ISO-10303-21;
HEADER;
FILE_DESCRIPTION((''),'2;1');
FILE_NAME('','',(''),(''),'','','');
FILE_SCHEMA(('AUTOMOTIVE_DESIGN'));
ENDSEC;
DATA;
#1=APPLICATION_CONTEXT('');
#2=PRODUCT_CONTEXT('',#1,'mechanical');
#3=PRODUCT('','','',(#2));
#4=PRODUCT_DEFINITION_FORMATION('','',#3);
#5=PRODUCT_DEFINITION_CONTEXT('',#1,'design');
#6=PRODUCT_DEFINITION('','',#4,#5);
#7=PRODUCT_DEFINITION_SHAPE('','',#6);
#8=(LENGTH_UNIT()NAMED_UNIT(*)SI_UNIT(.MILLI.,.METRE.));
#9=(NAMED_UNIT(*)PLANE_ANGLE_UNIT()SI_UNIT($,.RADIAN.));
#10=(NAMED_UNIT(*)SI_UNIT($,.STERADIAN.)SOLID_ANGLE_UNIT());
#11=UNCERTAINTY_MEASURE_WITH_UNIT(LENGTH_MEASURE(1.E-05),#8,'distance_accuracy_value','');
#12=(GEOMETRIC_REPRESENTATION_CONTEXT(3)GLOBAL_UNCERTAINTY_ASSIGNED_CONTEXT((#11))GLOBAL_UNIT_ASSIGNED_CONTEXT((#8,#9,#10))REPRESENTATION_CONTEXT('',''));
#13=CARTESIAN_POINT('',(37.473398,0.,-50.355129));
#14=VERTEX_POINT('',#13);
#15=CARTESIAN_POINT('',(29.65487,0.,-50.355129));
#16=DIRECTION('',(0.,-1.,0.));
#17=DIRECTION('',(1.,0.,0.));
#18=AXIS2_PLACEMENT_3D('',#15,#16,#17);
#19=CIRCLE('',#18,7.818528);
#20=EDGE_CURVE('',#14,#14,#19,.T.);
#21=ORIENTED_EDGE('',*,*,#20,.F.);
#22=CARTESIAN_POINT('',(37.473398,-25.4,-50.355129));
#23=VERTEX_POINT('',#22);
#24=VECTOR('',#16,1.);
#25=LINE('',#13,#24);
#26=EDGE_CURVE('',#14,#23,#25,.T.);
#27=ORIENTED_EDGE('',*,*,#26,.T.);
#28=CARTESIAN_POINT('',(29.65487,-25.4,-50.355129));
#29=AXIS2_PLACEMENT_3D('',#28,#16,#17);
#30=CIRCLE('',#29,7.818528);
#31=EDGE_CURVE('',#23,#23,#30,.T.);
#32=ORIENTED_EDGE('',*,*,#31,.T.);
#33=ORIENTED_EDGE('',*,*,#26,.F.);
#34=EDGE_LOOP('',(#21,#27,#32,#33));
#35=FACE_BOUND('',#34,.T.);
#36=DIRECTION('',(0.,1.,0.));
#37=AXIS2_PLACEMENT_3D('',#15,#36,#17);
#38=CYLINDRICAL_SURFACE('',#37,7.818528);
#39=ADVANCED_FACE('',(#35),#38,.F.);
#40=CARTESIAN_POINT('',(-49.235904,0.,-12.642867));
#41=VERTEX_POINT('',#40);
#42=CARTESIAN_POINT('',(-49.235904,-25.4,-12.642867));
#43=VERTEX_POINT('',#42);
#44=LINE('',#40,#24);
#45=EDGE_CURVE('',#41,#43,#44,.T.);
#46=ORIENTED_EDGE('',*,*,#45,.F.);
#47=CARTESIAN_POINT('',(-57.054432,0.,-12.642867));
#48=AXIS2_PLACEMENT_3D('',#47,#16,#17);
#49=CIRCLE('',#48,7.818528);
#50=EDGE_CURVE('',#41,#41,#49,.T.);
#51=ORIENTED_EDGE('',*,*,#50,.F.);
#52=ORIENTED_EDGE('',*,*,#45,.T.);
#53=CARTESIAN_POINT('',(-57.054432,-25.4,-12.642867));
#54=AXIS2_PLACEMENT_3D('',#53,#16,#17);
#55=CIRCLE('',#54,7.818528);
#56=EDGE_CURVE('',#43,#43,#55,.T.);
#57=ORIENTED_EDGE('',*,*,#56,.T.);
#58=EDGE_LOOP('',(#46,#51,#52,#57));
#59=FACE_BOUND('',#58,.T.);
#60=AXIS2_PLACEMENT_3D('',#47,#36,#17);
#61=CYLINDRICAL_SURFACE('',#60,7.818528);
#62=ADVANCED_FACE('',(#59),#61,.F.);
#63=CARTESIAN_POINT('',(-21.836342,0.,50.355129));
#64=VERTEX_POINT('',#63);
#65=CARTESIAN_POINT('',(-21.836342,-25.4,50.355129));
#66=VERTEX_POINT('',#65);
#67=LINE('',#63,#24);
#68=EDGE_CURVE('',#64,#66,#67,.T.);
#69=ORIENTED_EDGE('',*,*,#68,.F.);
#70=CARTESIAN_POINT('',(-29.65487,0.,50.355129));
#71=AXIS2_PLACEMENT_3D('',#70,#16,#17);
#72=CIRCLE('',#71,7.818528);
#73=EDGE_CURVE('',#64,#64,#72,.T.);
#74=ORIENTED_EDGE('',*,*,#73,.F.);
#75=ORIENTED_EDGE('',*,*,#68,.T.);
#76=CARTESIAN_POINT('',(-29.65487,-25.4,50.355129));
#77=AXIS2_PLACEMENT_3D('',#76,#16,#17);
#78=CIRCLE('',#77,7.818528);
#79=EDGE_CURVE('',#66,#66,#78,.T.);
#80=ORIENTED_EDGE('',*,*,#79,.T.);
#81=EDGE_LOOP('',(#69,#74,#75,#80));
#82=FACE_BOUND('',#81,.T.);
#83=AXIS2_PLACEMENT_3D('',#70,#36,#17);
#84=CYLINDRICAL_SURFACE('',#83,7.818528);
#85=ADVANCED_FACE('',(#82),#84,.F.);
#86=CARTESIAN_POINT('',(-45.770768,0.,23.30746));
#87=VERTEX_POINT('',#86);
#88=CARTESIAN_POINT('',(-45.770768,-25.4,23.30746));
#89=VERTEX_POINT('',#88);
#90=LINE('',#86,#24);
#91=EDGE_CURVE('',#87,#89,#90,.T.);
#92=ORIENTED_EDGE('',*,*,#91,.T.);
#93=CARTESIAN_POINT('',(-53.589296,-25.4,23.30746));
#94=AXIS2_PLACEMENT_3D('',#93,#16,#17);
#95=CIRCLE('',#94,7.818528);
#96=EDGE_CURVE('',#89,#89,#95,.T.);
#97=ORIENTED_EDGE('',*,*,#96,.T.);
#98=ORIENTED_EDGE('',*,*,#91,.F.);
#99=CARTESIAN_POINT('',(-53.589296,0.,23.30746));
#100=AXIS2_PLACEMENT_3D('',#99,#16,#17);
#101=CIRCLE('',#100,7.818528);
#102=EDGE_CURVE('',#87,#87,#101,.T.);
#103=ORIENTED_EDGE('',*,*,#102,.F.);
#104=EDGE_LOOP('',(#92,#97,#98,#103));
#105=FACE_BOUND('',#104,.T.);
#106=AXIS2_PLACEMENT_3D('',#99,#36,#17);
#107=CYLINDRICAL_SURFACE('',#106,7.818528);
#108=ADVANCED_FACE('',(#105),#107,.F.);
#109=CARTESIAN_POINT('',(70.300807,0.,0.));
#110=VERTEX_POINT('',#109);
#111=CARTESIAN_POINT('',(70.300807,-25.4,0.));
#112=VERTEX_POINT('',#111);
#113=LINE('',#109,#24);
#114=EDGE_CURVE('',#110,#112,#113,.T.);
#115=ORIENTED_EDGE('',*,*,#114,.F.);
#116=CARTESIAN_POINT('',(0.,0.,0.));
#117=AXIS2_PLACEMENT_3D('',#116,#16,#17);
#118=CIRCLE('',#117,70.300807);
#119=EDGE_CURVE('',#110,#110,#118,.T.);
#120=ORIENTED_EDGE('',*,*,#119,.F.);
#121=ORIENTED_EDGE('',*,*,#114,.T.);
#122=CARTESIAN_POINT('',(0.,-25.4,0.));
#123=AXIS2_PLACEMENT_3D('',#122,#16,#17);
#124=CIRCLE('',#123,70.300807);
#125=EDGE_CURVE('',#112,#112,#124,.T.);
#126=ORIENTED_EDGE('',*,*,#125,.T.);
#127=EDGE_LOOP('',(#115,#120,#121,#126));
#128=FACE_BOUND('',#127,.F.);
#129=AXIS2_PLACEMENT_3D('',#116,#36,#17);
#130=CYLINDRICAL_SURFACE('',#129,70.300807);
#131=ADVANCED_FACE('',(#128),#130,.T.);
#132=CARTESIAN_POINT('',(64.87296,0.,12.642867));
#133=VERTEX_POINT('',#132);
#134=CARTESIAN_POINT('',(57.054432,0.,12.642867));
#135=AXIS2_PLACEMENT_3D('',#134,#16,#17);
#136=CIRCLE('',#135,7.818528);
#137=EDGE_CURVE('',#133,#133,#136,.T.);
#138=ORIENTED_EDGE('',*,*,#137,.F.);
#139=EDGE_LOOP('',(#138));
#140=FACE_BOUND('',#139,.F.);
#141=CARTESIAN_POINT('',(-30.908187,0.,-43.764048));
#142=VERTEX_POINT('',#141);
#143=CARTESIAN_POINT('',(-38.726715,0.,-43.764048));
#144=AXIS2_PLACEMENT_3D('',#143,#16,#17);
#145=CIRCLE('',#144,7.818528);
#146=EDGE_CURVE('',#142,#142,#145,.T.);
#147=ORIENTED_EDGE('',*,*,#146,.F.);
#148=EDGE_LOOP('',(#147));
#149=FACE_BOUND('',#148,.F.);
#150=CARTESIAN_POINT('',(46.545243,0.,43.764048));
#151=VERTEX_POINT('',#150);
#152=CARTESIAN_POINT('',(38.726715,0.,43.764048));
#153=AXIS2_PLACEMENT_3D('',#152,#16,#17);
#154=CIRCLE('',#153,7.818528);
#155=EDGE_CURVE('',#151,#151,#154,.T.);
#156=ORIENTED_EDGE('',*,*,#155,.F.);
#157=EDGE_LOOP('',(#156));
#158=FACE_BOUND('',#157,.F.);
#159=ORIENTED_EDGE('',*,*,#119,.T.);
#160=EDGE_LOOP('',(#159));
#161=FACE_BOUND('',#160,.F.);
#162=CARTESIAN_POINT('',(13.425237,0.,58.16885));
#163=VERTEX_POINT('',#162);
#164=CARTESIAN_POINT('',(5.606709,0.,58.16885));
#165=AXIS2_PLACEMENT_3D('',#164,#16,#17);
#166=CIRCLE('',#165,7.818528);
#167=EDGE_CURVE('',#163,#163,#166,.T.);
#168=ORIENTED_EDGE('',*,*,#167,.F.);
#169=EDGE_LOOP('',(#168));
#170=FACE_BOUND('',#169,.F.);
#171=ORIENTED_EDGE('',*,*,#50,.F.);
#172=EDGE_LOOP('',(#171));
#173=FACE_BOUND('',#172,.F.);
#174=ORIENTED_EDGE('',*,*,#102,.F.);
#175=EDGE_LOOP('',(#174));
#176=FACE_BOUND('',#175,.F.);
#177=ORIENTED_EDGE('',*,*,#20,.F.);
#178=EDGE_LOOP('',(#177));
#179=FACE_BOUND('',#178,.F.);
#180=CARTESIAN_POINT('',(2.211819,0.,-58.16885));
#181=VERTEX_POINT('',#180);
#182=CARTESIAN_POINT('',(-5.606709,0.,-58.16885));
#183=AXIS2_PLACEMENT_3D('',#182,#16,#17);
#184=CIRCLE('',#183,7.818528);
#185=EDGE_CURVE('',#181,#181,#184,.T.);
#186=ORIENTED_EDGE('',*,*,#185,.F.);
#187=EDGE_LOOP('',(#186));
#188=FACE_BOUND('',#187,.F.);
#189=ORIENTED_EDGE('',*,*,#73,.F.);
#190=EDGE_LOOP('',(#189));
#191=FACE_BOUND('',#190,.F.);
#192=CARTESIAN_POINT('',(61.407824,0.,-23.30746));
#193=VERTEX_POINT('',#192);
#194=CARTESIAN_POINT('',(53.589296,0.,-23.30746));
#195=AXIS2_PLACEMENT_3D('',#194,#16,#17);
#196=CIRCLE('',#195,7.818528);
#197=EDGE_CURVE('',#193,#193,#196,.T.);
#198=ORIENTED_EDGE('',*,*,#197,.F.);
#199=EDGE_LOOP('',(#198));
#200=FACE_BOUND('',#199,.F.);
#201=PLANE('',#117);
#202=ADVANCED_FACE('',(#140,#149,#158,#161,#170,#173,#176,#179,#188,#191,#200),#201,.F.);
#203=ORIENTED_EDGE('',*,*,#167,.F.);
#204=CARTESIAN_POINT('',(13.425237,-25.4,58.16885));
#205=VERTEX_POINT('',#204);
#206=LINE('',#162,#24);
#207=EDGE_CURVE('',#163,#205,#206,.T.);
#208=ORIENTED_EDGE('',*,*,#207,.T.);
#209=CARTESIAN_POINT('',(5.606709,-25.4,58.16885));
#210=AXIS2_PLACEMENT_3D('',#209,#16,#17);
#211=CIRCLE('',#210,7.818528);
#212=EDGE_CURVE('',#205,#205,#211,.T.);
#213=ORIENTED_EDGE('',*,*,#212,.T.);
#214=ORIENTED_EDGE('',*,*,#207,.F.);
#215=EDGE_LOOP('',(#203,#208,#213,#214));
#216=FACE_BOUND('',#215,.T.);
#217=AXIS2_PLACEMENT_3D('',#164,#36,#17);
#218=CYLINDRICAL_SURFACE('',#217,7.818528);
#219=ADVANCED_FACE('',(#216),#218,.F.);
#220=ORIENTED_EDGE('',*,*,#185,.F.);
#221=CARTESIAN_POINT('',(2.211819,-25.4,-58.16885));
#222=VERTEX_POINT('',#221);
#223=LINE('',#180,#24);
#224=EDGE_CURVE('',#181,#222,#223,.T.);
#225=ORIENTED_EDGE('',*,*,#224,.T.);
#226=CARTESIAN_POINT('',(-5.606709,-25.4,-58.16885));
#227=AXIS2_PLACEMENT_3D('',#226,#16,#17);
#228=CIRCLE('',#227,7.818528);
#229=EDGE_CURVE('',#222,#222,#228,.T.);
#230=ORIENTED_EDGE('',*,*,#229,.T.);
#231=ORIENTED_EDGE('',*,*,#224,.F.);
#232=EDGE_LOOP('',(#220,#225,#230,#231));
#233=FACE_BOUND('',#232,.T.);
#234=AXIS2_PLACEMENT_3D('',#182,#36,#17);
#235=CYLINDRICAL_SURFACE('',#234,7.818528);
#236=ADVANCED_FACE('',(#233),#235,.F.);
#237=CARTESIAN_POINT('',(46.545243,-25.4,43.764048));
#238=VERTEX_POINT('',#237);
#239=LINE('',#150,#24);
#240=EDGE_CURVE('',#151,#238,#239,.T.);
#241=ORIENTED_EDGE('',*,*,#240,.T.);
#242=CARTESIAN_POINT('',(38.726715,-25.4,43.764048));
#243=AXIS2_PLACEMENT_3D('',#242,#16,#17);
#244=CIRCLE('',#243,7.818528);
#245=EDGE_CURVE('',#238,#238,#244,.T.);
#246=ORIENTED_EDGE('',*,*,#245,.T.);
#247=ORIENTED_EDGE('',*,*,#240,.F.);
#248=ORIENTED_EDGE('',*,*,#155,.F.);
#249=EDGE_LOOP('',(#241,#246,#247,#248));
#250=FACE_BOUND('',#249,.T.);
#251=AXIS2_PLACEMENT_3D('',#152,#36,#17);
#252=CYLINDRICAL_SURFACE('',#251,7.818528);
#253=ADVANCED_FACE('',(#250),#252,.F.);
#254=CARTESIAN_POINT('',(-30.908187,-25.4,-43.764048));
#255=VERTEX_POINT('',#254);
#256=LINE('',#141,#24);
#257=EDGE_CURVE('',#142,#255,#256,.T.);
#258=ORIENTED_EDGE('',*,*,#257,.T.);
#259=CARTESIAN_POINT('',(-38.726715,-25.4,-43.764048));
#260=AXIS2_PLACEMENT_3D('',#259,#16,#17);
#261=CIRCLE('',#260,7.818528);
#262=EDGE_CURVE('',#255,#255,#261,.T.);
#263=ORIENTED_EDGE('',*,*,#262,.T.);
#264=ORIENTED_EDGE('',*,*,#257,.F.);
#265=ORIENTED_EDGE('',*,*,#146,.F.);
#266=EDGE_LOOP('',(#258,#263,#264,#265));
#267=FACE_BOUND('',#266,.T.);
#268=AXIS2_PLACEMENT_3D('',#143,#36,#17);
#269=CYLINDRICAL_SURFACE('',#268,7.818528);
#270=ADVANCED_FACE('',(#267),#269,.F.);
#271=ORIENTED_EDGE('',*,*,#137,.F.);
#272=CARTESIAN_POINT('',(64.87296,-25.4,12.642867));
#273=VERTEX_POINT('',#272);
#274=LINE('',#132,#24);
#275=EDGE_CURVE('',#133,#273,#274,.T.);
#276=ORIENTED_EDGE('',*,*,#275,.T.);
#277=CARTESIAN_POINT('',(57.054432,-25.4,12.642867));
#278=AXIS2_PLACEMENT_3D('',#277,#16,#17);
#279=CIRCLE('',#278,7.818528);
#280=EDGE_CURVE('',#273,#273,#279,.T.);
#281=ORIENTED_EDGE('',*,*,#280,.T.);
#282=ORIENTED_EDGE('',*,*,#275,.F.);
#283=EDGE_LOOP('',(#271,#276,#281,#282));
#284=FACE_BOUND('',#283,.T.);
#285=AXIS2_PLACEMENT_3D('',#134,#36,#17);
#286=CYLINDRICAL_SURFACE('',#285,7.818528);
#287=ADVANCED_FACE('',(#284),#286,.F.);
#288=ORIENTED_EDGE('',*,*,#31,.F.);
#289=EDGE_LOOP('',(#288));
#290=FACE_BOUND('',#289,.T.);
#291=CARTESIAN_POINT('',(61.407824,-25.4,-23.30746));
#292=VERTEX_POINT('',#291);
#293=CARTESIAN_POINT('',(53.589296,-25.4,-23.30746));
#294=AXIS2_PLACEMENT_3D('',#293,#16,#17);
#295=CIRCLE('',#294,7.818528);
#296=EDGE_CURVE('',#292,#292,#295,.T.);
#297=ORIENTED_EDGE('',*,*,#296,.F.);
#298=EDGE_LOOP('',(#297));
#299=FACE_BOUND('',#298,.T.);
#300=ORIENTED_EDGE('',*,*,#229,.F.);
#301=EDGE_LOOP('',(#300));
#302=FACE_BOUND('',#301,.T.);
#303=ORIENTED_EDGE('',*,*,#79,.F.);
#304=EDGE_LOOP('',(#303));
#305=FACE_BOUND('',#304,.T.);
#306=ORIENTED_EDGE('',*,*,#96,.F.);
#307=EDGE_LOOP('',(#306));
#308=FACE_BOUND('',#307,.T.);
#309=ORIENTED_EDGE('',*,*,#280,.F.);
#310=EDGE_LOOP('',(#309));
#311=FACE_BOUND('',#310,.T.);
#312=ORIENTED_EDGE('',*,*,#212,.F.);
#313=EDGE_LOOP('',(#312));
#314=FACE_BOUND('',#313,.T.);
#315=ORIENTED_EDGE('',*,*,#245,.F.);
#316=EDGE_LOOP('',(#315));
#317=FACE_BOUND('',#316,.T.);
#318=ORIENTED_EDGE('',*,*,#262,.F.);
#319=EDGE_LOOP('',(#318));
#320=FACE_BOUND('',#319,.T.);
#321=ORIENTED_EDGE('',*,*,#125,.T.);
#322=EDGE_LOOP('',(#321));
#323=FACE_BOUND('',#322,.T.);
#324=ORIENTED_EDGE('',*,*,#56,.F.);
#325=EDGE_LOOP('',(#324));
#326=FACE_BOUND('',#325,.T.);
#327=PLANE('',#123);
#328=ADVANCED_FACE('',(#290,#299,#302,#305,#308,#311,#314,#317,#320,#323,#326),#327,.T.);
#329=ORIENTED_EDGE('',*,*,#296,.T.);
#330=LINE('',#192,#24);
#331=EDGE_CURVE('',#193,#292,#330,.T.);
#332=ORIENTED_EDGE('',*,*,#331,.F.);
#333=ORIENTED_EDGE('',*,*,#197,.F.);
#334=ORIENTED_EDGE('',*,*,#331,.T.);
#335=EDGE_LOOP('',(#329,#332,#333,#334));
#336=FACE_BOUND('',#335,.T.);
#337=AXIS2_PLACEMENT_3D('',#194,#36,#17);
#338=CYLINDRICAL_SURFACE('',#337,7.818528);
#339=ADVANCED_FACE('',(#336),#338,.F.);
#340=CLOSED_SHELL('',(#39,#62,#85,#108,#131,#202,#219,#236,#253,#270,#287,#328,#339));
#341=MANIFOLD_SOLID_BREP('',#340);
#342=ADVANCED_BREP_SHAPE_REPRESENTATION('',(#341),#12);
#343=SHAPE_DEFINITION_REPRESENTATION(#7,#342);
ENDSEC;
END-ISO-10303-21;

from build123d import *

# Parameters (mm, degrees)
F0_R     = 70.300807
F0_R_2   = 7.818528
F1_DEPTH = 25.4


with BuildPart() as f1:
    # F0 (on Front) → F1 (new body)
    with BuildSketch(Plane.XZ):
        Circle(F0_R)
        with Locations((-38.726715, -43.764048)):
            Circle(F0_R_2, mode=Mode.SUBTRACT)
        with Locations((-5.606709, -58.16885)):
            Circle(F0_R_2, mode=Mode.SUBTRACT)
        with Locations((-57.054432, -12.642867)):
            Circle(F0_R_2, mode=Mode.SUBTRACT)
        with Locations((29.65487, -50.355129)):
            Circle(F0_R_2, mode=Mode.SUBTRACT)
        with Locations((53.589296, -23.30746)):
            Circle(F0_R_2, mode=Mode.SUBTRACT)
        with Locations((-53.589296, 23.30746)):
            Circle(F0_R_2, mode=Mode.SUBTRACT)
        with Locations((-29.65487, 50.355129)):
            Circle(F0_R_2, mode=Mode.SUBTRACT)
        with Locations((57.054432, 12.642867)):
            Circle(F0_R_2, mode=Mode.SUBTRACT)
        with Locations((5.606709, 58.16885)):
            Circle(F0_R_2, mode=Mode.SUBTRACT)
        with Locations((38.726715, 43.764048)):
            Circle(F0_R_2, mode=Mode.SUBTRACT)
    extrude(amount=F1_DEPTH)


solid = f1.part
